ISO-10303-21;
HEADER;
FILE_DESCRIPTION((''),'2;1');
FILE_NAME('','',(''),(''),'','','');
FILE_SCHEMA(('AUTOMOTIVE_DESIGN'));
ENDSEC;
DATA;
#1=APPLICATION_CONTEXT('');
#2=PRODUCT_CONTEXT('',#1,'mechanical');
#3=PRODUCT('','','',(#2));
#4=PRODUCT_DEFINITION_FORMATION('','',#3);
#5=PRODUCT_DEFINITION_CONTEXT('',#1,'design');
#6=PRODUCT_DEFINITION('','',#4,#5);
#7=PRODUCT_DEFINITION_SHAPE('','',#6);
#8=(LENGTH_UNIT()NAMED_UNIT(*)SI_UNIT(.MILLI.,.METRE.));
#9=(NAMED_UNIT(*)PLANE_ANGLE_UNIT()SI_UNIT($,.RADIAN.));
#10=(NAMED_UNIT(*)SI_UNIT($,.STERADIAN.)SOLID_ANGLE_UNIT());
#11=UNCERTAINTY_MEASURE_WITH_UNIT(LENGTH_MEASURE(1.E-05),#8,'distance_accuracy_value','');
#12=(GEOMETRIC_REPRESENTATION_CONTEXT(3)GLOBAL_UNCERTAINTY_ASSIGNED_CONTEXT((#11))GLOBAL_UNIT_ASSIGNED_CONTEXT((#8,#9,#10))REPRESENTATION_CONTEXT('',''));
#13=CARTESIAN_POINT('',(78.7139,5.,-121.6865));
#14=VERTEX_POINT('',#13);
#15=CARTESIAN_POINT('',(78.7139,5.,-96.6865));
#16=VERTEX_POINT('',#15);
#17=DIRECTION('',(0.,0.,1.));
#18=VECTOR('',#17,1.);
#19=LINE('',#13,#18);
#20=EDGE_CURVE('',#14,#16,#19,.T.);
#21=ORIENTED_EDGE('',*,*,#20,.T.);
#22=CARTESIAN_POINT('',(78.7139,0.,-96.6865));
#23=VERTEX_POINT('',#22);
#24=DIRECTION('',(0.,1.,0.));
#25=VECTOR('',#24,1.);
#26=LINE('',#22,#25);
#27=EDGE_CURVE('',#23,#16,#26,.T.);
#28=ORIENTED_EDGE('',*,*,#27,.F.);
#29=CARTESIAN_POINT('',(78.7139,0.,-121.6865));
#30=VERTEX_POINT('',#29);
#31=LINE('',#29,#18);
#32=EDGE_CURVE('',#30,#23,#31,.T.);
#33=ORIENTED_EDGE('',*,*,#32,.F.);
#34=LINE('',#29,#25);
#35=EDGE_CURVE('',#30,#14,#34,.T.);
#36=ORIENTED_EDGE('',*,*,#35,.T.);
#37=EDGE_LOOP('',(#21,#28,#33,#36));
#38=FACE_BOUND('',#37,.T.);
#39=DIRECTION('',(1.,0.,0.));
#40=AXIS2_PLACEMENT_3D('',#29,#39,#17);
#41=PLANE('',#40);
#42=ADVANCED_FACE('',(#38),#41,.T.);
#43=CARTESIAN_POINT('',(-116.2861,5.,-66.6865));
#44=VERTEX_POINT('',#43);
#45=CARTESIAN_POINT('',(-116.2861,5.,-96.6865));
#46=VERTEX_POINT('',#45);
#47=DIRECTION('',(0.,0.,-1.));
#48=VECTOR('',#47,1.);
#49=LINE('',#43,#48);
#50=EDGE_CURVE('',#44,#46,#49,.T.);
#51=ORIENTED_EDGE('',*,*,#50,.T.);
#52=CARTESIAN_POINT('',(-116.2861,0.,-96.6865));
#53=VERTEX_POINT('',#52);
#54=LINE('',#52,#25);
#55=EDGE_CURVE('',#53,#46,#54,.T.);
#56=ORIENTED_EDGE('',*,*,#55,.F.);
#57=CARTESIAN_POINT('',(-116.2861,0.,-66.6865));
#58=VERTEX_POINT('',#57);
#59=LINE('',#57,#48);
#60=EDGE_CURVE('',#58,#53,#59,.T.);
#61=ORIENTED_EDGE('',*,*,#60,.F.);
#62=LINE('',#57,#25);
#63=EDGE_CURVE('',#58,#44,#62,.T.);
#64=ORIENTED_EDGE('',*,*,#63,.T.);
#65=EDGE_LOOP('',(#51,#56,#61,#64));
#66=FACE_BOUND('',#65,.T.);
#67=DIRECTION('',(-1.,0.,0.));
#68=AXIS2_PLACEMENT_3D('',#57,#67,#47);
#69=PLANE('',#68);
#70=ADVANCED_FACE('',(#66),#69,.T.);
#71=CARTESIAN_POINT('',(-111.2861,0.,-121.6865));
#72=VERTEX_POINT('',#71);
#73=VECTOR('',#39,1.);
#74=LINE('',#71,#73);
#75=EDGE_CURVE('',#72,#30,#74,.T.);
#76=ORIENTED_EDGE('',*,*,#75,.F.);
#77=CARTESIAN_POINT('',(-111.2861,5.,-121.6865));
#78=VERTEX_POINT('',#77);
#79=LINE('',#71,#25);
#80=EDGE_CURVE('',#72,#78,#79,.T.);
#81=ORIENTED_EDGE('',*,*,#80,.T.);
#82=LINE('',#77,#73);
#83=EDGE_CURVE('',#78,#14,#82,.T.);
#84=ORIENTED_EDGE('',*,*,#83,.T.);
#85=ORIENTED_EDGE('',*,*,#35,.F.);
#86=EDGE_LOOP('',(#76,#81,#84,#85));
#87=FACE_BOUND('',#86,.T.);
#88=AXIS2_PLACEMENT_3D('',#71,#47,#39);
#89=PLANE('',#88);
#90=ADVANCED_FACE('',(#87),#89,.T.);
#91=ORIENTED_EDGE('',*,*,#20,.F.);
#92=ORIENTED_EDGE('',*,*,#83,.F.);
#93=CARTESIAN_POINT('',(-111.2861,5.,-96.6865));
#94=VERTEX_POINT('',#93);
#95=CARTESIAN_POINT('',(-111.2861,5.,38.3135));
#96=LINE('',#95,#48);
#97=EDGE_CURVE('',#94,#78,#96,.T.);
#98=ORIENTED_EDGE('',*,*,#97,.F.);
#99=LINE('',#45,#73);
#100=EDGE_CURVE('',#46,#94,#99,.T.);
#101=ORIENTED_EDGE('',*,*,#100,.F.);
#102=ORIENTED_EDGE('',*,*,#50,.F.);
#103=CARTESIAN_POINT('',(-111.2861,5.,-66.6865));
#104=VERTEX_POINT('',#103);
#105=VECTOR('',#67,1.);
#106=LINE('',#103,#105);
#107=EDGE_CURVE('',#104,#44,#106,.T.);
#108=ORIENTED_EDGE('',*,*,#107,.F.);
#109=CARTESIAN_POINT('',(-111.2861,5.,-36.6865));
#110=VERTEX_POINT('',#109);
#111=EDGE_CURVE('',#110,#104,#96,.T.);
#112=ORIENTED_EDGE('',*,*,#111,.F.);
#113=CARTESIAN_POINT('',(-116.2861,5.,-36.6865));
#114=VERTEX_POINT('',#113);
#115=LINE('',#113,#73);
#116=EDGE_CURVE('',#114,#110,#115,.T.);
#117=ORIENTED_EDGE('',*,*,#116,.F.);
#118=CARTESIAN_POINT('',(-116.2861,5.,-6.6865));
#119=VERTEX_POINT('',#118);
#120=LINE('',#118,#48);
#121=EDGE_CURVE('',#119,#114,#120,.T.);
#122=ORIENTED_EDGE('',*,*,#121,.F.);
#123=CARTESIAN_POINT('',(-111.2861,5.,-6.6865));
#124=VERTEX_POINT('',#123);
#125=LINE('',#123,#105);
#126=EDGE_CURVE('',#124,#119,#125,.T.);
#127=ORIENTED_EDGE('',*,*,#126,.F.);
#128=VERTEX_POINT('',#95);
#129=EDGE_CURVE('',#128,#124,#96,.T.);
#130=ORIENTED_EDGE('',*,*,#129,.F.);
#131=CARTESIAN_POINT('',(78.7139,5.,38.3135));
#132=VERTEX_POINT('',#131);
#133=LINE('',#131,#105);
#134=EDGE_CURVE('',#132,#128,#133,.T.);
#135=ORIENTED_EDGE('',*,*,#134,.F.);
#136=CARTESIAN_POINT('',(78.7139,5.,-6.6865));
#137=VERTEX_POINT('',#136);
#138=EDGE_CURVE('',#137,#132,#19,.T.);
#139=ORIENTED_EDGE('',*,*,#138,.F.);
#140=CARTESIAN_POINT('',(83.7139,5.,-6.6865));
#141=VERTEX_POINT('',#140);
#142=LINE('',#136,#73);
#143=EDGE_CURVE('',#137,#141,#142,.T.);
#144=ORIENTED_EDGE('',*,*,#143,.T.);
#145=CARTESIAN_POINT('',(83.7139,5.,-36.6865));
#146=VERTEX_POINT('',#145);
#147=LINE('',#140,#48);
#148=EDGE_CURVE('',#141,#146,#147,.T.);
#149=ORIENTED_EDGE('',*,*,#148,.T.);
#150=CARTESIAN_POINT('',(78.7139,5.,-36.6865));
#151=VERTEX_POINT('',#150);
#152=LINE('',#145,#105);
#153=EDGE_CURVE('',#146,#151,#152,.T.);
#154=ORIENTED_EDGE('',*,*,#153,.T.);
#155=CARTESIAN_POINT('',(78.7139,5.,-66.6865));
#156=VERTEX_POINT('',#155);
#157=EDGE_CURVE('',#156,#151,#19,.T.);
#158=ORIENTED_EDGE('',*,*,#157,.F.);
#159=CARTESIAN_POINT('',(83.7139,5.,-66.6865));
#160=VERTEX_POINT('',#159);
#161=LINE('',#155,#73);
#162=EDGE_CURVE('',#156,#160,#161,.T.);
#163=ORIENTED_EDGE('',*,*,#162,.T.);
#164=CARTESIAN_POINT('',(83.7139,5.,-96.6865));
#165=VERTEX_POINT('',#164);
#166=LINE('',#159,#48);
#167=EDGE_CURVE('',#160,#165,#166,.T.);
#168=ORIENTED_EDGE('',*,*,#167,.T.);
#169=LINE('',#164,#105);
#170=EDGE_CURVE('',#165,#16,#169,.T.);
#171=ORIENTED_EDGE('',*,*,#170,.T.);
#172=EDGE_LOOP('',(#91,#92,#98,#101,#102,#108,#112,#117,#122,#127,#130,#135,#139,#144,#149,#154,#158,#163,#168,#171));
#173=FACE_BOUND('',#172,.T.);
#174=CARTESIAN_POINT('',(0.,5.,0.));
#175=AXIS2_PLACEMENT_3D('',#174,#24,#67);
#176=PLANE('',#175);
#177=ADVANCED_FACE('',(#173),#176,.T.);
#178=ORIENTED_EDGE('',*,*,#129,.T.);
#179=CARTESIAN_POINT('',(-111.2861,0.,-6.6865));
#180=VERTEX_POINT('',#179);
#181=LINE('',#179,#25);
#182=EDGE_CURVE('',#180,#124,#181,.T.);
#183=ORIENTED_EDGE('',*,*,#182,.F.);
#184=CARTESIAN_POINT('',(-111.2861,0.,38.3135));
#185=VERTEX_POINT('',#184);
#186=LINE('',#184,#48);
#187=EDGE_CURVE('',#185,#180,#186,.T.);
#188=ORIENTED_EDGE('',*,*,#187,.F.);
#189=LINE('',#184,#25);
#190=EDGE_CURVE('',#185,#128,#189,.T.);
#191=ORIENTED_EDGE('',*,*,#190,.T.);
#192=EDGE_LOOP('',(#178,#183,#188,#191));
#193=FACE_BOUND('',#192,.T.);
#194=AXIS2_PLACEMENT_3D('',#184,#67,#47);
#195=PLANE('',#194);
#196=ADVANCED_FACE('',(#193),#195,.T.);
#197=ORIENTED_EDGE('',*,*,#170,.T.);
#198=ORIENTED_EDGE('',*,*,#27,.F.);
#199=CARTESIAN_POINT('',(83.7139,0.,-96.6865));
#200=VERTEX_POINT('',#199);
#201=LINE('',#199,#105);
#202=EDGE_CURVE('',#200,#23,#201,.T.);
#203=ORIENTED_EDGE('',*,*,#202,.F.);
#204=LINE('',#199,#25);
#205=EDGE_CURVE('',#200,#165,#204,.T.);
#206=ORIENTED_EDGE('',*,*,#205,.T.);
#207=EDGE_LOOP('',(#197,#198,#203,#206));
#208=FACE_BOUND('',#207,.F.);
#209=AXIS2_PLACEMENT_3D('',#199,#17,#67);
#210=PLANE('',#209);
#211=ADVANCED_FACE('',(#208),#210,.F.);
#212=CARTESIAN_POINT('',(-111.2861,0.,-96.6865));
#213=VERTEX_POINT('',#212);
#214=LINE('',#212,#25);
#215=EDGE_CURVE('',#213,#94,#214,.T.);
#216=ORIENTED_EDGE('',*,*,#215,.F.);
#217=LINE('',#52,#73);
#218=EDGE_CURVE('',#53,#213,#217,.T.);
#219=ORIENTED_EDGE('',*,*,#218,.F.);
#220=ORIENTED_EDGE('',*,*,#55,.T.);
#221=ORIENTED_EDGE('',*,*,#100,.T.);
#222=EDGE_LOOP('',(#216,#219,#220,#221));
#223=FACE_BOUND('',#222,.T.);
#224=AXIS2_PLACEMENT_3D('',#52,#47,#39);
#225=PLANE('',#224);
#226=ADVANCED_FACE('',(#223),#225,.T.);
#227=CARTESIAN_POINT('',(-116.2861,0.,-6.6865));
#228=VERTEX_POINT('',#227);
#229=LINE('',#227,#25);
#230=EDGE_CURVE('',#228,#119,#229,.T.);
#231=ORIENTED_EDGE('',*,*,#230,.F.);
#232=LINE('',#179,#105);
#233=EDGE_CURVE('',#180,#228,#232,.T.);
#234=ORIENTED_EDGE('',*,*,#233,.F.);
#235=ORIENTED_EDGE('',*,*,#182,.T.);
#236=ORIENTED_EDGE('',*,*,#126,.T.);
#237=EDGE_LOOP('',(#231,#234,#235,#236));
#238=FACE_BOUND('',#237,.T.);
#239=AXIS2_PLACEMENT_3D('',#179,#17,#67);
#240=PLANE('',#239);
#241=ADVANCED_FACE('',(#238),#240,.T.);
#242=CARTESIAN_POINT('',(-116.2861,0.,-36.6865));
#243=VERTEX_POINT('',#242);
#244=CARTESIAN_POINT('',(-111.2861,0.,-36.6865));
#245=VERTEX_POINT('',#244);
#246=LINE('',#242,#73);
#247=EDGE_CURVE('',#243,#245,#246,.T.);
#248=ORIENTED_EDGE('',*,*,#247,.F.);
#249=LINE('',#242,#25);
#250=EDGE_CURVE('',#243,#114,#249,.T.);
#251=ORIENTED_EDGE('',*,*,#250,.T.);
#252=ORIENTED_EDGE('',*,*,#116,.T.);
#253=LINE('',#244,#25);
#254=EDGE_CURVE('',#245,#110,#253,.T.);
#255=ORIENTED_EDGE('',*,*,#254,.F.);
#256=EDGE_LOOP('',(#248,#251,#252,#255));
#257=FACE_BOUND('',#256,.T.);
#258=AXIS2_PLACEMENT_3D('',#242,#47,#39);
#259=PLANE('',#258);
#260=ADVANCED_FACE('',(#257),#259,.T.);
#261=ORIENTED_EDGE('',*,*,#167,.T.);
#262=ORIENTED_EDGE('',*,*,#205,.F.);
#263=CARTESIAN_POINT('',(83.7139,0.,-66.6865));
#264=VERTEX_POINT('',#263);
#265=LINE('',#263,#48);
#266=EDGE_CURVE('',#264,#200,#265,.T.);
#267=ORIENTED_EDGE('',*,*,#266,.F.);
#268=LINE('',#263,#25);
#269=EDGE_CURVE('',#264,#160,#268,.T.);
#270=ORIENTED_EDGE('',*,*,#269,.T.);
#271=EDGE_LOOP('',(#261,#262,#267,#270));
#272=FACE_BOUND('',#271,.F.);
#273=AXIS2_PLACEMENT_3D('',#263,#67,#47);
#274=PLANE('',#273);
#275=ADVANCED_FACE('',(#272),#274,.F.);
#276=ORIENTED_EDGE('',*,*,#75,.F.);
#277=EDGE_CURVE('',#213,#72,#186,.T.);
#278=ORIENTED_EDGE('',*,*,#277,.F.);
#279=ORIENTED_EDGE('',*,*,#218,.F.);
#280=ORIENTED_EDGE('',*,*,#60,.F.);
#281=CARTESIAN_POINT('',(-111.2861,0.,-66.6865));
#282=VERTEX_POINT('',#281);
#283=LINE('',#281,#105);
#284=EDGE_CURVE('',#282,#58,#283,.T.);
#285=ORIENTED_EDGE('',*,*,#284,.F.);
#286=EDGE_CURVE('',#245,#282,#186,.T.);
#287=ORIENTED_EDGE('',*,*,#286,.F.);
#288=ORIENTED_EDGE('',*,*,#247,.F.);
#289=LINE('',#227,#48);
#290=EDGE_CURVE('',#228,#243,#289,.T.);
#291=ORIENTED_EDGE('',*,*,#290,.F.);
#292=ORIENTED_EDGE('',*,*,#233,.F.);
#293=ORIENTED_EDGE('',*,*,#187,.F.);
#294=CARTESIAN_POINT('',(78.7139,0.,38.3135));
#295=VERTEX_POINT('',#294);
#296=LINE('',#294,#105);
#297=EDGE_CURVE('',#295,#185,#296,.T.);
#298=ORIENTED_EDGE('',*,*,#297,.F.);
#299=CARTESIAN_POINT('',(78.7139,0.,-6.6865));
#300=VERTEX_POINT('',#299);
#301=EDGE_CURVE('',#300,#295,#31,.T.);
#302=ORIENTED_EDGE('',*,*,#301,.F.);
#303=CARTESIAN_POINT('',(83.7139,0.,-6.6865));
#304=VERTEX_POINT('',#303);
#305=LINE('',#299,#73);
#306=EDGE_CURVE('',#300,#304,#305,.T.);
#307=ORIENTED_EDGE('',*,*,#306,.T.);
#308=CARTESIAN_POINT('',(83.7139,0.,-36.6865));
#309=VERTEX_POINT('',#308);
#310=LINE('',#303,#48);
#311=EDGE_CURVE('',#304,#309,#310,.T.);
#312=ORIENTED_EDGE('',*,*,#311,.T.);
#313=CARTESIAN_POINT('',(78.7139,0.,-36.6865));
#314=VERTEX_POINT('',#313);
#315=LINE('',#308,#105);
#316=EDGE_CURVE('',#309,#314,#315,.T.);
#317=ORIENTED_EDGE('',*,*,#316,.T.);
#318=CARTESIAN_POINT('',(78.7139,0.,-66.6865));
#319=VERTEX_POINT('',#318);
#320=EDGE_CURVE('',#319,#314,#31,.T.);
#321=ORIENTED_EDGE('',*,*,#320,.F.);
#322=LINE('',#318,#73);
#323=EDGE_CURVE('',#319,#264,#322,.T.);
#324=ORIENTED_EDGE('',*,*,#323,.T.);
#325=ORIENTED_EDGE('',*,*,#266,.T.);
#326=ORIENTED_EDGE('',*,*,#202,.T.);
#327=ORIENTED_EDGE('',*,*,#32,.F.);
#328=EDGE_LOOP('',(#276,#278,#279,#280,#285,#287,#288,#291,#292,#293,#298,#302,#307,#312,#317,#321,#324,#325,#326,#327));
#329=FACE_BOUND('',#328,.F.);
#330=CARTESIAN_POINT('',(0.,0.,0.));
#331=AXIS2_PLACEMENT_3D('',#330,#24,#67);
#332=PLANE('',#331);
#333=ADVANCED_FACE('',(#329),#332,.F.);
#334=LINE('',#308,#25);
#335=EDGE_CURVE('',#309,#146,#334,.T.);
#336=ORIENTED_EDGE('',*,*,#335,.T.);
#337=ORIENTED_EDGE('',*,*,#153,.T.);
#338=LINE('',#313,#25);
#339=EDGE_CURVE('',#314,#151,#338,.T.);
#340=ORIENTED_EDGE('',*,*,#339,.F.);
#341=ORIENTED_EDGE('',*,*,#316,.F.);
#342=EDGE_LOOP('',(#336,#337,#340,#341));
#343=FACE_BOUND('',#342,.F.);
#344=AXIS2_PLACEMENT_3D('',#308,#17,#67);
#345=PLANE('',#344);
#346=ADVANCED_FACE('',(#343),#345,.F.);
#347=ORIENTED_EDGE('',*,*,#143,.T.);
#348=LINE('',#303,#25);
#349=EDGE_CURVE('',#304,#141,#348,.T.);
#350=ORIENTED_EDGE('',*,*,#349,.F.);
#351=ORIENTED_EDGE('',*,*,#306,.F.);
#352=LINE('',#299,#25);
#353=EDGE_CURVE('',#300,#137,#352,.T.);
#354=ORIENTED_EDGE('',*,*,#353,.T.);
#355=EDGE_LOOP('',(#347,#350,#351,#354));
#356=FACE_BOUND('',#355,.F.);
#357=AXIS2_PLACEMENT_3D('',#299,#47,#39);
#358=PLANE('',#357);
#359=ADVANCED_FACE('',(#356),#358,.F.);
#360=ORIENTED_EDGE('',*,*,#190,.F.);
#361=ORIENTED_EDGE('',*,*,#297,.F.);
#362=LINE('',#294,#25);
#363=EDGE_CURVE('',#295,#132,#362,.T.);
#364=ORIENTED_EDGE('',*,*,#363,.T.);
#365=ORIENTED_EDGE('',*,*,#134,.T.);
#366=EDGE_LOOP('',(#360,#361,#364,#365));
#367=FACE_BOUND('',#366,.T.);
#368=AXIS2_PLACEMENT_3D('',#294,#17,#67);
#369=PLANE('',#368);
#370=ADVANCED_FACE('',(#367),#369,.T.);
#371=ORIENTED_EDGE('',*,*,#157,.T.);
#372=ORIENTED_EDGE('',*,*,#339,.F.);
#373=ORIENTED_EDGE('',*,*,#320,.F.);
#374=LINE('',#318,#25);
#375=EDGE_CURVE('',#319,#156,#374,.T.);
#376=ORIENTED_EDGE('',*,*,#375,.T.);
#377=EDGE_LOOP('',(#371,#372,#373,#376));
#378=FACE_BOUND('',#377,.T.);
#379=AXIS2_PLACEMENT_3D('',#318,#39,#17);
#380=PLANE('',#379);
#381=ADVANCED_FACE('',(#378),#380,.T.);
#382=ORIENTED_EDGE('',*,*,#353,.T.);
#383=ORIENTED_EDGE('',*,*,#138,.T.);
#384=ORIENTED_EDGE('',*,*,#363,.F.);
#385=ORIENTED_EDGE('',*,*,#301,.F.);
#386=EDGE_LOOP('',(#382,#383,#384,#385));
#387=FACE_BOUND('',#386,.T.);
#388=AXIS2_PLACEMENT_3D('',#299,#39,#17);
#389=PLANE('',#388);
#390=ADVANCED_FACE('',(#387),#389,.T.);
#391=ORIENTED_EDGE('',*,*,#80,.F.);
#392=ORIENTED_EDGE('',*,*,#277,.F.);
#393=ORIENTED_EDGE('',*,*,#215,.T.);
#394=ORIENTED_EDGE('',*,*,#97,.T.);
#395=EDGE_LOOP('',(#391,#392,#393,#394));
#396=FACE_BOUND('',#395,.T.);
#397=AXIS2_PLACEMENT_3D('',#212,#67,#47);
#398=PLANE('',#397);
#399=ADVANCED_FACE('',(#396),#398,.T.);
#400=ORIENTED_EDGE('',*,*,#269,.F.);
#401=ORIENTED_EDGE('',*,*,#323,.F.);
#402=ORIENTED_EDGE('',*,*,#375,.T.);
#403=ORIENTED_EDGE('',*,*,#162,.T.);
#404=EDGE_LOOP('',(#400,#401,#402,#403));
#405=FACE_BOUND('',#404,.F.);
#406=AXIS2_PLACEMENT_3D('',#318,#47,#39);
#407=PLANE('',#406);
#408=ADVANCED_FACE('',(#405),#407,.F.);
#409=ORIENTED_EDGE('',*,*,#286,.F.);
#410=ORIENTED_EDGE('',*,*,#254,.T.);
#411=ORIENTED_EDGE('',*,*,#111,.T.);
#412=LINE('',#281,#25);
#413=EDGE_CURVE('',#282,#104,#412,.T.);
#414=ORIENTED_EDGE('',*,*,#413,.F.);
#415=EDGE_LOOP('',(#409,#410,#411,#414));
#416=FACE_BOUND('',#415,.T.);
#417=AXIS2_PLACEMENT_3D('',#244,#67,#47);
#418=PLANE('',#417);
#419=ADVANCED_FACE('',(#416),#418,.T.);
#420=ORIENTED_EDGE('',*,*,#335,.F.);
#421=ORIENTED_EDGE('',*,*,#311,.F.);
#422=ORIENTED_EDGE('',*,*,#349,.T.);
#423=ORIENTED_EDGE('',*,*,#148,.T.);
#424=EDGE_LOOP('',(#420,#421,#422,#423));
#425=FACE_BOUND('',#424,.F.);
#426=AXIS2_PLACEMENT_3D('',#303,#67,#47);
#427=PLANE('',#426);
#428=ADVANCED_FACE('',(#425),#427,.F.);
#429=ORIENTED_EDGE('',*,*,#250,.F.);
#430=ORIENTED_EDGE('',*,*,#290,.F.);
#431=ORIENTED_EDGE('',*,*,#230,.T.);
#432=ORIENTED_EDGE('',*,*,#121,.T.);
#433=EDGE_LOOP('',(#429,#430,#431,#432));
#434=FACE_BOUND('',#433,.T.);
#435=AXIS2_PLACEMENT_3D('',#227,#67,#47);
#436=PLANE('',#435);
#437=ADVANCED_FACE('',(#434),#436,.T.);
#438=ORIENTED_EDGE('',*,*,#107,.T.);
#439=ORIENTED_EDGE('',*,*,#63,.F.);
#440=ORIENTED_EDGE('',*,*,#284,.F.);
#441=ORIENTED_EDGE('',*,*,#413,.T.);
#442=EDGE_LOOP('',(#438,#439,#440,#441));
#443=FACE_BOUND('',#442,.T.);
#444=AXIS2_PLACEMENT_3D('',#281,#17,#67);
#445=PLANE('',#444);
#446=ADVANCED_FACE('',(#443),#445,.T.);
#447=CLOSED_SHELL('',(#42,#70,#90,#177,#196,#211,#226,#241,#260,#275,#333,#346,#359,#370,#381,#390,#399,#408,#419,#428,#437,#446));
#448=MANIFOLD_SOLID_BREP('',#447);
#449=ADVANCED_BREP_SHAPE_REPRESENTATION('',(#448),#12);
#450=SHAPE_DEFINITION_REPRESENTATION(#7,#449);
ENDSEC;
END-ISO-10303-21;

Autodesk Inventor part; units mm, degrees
ref_plane "YZ Plane" through (0, 0, 0) normal (1, 0, 0) x (0, 1, 0)
ref_plane "XZ Plane" through (0, 0, 0) normal (0, 1, 0) x (-1, 0, 0)
ref_plane "XY Plane" through (0, 0, 0) normal (0, 0, 1) x (1, 0, 0)
sketch "Sketch1" plane through (0, 0, 0) normal (0, 1, 0) x (-1, 0, 0)
  line L0 (-78.7139, 38.3135) -> (111.2861, 38.3135)
  line L1 (111.2861, 38.3135) -> (111.2861, -121.6865)
  line L2 (111.2861, -121.6865) -> (-78.7139, -121.6865)
  line L3 (-78.7139, -121.6865) -> (-78.7139, 38.3135)
  line L4 (111.2861, -6.6865) -> (116.2861, -6.6865)
  line L5 (116.2861, -6.6865) -> (116.2861, -36.6865)
  line L6 (116.2861, -36.6865) -> (111.2861, -36.6865)
  line L7 (111.2861, -36.6865) -> (111.2861, -6.6865)
  line L8 (111.2861, -66.6865) -> (116.2861, -66.6865)
  line L9 (116.2861, -66.6865) -> (116.2861, -96.6865)
  line L10 (116.2861, -96.6865) -> (111.2861, -96.6865)
  line L11 (111.2861, -96.6865) -> (111.2861, -66.6865)
  line L12 (111.2861, -41.6865) -> (-78.7139, -41.6865) construction
  line L13 (16.2861, 38.3135) -> (16.2861, -121.6865) construction
  line L14 (-78.7139, -6.6865) -> (-83.7139, -6.6865)
  line L15 (-83.7139, -6.6865) -> (-83.7139, -36.6865)
  line L16 (-83.7139, -36.6865) -> (-78.7139, -36.6865)
  line L17 (-78.7139, -66.6865) -> (-83.7139, -66.6865)
  line L18 (-83.7139, -66.6865) -> (-83.7139, -96.6865)
  line L19 (-83.7139, -96.6865) -> (-78.7139, -96.6865)
  line L20 (-78.7139, -41.6865) -> (111.2861, -41.6865) construction
  point P0 (0, 0)
  point P1 (-78.7139, -66.6865)
  point P2 (-78.7139, -96.6865)
  dimension "d0" = 190
  dimension "d1" = 160
  dimension "d2" = 5
  dimension "d3" = 30
  dimension "d4" = 5
  dimension "d5" = 30
  dimension "d6" = 30
  dimension "d7" = 5
extrude "Extrusion1" add sketch "Sketch1" along normal blind 5
properties part number "Tapa diagonal"
